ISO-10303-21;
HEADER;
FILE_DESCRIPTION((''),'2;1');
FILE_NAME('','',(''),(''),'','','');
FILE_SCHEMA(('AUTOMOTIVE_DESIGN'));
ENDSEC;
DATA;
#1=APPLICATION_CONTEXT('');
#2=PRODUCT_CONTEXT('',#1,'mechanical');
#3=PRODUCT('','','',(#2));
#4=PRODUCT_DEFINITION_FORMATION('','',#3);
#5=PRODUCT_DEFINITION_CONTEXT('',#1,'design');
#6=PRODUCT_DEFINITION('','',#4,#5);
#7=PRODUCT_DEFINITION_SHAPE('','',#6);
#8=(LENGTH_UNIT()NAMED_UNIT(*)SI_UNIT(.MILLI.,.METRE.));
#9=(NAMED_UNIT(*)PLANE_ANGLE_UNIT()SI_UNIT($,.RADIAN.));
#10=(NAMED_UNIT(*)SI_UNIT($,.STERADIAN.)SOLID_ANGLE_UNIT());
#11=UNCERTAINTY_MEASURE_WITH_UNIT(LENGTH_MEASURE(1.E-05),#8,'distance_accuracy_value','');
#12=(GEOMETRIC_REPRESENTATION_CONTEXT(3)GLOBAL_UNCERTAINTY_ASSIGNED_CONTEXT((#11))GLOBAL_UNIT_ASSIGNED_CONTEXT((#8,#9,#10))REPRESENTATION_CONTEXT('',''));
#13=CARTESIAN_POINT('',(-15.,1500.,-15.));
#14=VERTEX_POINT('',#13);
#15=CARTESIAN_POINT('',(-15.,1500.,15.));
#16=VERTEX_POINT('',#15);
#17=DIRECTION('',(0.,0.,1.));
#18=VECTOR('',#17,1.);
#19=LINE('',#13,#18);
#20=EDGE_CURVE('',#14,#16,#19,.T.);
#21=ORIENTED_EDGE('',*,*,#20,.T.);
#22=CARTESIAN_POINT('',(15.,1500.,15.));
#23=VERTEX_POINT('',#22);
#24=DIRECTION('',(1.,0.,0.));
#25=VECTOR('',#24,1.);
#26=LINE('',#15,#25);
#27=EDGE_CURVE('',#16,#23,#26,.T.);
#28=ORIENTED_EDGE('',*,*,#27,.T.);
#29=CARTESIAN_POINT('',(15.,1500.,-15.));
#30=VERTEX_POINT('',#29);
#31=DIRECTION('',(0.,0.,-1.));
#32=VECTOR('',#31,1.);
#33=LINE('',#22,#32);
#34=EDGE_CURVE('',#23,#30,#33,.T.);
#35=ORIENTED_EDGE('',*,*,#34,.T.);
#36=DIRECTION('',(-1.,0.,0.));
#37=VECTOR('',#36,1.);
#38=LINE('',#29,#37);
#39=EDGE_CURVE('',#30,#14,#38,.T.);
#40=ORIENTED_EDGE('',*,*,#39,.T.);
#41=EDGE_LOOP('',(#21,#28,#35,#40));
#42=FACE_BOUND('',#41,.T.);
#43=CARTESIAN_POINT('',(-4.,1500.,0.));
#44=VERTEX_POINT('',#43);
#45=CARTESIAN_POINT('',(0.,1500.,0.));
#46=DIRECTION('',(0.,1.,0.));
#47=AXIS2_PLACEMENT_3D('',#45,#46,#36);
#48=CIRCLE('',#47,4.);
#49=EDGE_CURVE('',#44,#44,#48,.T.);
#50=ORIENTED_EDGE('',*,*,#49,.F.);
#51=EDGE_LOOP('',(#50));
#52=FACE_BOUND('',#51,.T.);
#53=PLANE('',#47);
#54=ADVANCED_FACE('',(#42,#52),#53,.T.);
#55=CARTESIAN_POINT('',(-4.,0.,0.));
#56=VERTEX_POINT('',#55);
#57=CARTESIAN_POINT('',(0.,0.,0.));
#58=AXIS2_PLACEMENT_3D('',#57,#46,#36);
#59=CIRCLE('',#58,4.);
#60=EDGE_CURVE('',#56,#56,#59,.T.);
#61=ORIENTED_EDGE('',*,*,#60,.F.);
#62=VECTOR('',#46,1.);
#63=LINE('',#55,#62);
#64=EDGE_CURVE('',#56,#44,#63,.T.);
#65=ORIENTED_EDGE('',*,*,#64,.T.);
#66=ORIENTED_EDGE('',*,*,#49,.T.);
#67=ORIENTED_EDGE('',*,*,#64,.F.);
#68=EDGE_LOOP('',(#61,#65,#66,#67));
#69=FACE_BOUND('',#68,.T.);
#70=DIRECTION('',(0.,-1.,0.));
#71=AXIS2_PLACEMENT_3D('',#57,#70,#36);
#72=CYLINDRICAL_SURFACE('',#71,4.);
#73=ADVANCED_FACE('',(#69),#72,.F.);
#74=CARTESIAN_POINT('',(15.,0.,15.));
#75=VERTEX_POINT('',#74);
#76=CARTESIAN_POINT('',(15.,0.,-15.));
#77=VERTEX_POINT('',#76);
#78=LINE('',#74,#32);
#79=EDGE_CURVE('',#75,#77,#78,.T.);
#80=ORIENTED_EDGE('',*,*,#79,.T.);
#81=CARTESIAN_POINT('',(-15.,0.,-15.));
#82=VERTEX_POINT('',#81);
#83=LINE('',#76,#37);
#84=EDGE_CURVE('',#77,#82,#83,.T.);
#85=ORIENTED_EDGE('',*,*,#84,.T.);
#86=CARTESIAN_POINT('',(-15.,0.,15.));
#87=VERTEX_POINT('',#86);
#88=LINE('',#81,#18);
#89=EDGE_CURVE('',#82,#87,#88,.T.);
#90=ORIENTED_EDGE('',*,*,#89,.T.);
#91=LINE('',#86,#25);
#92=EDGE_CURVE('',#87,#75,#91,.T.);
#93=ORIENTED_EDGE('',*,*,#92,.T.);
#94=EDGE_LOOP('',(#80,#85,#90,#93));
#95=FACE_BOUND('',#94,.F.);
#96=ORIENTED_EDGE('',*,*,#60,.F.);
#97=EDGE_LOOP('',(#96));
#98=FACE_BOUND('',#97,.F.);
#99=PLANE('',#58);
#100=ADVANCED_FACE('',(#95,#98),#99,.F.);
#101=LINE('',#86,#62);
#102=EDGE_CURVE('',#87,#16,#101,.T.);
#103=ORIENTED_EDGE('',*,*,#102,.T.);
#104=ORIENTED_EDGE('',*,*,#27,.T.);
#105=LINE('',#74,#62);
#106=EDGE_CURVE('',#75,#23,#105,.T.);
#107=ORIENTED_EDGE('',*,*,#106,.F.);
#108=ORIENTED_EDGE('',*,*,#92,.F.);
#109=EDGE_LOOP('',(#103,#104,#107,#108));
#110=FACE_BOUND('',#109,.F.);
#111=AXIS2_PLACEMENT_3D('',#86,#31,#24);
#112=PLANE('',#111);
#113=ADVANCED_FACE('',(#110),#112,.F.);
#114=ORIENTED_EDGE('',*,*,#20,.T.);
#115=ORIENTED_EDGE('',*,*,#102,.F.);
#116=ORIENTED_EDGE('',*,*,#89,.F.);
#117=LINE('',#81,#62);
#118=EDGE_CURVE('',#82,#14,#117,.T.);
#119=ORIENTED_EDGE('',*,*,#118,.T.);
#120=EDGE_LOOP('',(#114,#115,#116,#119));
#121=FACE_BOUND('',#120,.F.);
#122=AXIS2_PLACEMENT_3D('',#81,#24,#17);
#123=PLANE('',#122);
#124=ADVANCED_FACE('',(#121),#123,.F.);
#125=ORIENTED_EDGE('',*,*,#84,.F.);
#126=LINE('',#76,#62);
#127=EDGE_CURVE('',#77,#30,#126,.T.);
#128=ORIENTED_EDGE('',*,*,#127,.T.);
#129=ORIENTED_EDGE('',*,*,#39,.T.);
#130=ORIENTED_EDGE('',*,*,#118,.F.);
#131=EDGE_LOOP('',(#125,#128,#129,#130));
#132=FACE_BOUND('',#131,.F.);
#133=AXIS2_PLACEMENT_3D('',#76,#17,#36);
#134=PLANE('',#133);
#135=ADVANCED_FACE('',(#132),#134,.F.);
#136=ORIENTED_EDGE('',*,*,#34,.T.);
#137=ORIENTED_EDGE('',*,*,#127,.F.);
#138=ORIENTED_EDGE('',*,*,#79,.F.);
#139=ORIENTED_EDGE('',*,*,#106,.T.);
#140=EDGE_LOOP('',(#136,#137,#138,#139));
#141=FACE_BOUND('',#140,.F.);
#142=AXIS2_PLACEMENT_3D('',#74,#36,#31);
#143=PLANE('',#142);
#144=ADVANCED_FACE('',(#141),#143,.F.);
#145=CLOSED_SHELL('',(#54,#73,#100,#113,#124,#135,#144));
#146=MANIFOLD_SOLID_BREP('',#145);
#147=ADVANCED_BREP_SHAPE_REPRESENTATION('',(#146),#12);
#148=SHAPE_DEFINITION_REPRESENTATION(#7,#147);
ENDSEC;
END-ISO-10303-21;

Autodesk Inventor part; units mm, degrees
ref_plane "YZ Plane" through (0, 0, 0) normal (1, 0, 0) x (0, 1, 0)
ref_plane "XZ Plane" through (0, 0, 0) normal (0, 1, 0) x (-1, 0, 0)
ref_plane "XY Plane" through (0, 0, 0) normal (0, 0, 1) x (1, 0, 0)
sketch "Boceto1" plane through (0, 0, 0) normal (0, 1, 0) x (-1, 0, 0)
  line L0 (15, 15) -> (-15, 15)
  line L1 (-15, 15) -> (-15, -15)
  line L2 (-15, -15) -> (15, -15)
  line L3 (15, -15) -> (15, 15)
  line L4 (15, 15) -> (-15, -15) construction
  circle A0 centre (0, 0) radius 4
  dimension "d0" = 30
  dimension "d1" = 8
extrude "Extrusión1" add sketch "Boceto1" along normal blind 1500
properties part number "P_3030_1500"
